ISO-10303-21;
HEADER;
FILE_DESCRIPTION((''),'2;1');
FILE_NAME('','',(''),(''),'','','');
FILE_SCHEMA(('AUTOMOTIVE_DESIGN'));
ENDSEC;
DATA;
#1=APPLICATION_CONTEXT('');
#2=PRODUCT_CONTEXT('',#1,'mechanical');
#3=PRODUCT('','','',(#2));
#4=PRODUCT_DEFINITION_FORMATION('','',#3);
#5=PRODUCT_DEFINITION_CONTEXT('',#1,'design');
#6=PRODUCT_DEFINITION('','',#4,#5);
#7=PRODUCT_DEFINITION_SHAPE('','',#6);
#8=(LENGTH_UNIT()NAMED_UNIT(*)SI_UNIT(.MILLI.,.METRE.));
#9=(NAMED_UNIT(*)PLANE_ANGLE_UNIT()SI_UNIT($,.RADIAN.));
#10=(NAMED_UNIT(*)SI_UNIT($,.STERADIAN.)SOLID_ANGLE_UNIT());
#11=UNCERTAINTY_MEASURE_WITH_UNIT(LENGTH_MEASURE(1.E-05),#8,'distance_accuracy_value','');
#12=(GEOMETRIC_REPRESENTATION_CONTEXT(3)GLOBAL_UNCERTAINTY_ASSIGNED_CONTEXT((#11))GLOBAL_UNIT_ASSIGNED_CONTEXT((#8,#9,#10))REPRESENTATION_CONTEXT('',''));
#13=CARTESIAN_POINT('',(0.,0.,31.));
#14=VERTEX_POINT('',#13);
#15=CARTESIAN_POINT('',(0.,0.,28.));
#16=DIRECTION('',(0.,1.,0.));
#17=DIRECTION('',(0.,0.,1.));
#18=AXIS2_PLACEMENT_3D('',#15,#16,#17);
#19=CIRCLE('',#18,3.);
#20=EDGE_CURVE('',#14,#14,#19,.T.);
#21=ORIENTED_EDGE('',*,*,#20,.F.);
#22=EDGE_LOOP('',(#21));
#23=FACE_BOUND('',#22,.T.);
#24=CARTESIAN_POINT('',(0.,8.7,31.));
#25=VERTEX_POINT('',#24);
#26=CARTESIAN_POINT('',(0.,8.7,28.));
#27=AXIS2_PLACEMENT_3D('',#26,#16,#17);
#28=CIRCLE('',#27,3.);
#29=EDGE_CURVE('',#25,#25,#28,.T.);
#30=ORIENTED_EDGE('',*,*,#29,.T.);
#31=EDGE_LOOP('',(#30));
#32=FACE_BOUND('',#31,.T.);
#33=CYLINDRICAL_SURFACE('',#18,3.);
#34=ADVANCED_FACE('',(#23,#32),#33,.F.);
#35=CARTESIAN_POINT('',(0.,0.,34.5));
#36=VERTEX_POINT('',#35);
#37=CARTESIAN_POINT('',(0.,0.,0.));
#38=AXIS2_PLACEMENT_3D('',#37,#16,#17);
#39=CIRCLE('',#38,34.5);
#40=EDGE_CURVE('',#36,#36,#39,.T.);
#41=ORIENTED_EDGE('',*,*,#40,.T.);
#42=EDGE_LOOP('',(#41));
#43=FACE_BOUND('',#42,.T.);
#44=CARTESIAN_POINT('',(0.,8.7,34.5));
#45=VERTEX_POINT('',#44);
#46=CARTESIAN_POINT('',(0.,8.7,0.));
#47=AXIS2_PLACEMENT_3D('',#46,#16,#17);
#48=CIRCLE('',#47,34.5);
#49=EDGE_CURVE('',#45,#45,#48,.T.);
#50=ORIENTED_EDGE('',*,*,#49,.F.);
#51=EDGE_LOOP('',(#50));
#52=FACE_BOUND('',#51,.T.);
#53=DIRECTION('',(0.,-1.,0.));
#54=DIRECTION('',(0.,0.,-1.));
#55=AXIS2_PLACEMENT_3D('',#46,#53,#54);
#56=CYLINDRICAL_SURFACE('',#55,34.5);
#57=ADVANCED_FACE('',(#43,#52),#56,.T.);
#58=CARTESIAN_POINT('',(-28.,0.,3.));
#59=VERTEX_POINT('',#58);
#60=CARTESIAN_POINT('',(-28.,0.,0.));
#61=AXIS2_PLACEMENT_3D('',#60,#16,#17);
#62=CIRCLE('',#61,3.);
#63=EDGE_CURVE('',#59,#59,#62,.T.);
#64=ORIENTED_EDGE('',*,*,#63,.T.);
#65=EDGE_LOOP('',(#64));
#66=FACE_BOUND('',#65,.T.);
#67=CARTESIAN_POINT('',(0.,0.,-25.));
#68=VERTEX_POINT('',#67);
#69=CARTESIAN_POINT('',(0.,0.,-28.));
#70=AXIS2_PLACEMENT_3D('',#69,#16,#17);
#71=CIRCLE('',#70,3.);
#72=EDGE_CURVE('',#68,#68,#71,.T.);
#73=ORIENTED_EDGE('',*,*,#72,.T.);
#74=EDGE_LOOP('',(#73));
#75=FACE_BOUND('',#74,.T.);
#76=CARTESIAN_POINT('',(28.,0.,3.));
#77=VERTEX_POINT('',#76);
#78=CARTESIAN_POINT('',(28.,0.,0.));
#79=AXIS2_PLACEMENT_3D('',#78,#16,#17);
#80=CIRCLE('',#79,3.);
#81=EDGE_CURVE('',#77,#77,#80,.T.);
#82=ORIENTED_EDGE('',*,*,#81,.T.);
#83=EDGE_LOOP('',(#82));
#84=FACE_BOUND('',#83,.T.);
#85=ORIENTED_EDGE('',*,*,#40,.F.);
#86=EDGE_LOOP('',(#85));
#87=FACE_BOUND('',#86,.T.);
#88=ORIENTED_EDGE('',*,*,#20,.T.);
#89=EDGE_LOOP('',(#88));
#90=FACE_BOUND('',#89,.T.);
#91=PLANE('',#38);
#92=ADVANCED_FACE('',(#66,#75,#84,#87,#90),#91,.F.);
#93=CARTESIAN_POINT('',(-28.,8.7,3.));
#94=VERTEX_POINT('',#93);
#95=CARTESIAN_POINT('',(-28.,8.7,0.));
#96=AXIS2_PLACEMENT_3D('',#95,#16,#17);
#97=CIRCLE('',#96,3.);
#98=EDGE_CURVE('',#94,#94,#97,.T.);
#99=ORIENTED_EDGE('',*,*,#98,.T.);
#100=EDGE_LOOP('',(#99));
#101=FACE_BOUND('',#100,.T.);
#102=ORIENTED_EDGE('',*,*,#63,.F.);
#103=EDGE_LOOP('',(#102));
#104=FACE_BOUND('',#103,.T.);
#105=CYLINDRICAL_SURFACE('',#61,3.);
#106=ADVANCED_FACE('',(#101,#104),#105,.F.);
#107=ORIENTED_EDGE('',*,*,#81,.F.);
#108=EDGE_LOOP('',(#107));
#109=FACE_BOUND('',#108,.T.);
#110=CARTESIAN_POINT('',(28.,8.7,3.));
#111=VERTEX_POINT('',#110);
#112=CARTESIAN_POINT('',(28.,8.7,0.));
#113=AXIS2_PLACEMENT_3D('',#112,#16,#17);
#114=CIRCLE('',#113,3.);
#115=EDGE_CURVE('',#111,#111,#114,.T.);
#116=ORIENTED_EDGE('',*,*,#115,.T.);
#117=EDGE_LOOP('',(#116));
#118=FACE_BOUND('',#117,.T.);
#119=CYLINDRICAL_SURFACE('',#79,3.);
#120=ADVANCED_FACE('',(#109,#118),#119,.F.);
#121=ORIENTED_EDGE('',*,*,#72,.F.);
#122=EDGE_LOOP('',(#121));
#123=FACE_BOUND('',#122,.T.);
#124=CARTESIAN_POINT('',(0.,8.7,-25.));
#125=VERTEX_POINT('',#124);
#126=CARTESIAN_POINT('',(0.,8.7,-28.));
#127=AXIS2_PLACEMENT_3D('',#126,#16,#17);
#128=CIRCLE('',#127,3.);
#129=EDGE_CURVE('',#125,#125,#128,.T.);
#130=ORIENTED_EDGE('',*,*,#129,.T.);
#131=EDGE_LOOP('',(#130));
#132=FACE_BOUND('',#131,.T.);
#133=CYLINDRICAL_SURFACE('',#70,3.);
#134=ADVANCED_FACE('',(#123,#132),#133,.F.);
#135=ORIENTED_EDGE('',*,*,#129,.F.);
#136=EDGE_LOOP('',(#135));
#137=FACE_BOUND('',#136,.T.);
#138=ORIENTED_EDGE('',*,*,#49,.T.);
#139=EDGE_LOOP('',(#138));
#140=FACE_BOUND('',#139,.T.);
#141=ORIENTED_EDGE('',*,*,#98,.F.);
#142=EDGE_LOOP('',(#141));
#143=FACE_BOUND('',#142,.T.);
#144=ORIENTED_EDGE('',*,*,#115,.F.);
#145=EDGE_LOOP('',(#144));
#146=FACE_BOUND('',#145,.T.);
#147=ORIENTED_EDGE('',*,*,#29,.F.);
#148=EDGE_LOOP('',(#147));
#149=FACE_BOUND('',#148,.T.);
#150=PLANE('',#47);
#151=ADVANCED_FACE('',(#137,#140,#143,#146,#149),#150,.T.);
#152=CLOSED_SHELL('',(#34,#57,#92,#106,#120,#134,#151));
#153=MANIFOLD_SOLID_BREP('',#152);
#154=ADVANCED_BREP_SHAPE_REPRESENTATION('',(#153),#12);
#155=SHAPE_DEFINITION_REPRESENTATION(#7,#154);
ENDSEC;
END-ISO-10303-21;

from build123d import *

# Parameters (mm, degrees)
SKETCH_1_R          = 34.5
EXTRUDE_1_DEPTH     = 8.7
SKETCH_2_R          = 3
CUT_EXTRUDE_2_DEPTH = 8.7


with BuildPart() as part:
    # Эскиз1 → Вытянуть1 (new body)
    with BuildSketch(Plane(origin=(0, 0, 0), x_dir=(1, 0, 0), z_dir=(0, 1, 0))):
        with Locations(Location((0, 0, 0), (0, 0, 270))):
            Circle(SKETCH_1_R)
    extrude(amount=EXTRUDE_1_DEPTH)

    # Эскиз2 → Вытянуть2 (cut)
    with BuildSketch(Plane(origin=(0, 8.7, 0), x_dir=(1, 0, 0), z_dir=(0, 1, 0))):
        with Locations(Location((0, 28, 0), (0, 0, 270))):
            Circle(SKETCH_2_R)
        with Locations(Location((28, 0, 0), (0, 0, 270))):
            Circle(SKETCH_2_R)
        with Locations(Location((0, -28, 0), (0, 0, 270))):
            Circle(SKETCH_2_R)
        with Locations(Location((-28, 0, 0), (0, 0, 270))):
            Circle(SKETCH_2_R)
    extrude(amount=-CUT_EXTRUDE_2_DEPTH, mode=Mode.SUBTRACT)


solid = part.part
